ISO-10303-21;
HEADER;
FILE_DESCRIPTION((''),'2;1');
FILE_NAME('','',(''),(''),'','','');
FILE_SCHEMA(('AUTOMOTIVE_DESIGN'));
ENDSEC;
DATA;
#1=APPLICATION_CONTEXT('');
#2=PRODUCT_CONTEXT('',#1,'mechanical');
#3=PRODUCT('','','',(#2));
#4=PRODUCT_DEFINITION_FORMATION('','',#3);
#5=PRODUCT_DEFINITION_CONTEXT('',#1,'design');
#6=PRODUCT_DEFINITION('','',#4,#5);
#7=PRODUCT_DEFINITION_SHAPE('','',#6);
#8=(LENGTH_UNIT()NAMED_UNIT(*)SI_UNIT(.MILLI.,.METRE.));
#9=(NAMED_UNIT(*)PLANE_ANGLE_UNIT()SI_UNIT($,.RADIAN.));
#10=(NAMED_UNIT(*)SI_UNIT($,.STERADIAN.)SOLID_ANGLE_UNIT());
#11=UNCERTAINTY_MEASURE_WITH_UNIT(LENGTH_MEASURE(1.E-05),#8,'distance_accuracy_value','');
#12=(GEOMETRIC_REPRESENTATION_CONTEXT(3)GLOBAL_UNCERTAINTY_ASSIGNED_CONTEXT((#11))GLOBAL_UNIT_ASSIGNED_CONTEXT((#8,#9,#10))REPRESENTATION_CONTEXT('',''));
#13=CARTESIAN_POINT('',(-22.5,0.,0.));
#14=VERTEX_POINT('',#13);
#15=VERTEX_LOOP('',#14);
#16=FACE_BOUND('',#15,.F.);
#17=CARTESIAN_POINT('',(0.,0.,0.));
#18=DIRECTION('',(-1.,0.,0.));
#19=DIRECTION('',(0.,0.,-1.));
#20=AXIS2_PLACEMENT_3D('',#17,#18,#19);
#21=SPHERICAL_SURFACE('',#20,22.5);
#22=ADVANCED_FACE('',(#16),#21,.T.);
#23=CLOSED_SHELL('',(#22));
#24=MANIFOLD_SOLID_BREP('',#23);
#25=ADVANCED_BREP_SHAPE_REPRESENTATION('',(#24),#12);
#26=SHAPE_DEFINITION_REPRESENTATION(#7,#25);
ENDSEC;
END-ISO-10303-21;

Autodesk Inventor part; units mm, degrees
ref_plane "YZ Plane" through (0, 0, 0) normal (1, 0, 0) x (0, 1, 0)
ref_plane "XZ Plane" through (0, 0, 0) normal (0, 1, 0) x (-1, 0, 0)
ref_plane "XY Plane" through (0, 0, 0) normal (0, 0, 1) x (1, 0, 0)
sketch "Esquisse1" plane through (0, 0, 0) normal (0, 1, 0) x (-1, 0, 0)
  arc A0 (-22.5, 0) -> (22.5, 0) centre (0, 0) ccw
  line L0 (22.5, 0) -> (-22.5, 0) construction
  line L1 (22.5, 0) -> (-22.5, 0)
  dimension "d0" = 45
revolve "Révolution1" add sketch "Esquisse1" angle 360 about axis through (-22.5, 0, 0) along (1, 0, 0)
properties part number "Boule"
